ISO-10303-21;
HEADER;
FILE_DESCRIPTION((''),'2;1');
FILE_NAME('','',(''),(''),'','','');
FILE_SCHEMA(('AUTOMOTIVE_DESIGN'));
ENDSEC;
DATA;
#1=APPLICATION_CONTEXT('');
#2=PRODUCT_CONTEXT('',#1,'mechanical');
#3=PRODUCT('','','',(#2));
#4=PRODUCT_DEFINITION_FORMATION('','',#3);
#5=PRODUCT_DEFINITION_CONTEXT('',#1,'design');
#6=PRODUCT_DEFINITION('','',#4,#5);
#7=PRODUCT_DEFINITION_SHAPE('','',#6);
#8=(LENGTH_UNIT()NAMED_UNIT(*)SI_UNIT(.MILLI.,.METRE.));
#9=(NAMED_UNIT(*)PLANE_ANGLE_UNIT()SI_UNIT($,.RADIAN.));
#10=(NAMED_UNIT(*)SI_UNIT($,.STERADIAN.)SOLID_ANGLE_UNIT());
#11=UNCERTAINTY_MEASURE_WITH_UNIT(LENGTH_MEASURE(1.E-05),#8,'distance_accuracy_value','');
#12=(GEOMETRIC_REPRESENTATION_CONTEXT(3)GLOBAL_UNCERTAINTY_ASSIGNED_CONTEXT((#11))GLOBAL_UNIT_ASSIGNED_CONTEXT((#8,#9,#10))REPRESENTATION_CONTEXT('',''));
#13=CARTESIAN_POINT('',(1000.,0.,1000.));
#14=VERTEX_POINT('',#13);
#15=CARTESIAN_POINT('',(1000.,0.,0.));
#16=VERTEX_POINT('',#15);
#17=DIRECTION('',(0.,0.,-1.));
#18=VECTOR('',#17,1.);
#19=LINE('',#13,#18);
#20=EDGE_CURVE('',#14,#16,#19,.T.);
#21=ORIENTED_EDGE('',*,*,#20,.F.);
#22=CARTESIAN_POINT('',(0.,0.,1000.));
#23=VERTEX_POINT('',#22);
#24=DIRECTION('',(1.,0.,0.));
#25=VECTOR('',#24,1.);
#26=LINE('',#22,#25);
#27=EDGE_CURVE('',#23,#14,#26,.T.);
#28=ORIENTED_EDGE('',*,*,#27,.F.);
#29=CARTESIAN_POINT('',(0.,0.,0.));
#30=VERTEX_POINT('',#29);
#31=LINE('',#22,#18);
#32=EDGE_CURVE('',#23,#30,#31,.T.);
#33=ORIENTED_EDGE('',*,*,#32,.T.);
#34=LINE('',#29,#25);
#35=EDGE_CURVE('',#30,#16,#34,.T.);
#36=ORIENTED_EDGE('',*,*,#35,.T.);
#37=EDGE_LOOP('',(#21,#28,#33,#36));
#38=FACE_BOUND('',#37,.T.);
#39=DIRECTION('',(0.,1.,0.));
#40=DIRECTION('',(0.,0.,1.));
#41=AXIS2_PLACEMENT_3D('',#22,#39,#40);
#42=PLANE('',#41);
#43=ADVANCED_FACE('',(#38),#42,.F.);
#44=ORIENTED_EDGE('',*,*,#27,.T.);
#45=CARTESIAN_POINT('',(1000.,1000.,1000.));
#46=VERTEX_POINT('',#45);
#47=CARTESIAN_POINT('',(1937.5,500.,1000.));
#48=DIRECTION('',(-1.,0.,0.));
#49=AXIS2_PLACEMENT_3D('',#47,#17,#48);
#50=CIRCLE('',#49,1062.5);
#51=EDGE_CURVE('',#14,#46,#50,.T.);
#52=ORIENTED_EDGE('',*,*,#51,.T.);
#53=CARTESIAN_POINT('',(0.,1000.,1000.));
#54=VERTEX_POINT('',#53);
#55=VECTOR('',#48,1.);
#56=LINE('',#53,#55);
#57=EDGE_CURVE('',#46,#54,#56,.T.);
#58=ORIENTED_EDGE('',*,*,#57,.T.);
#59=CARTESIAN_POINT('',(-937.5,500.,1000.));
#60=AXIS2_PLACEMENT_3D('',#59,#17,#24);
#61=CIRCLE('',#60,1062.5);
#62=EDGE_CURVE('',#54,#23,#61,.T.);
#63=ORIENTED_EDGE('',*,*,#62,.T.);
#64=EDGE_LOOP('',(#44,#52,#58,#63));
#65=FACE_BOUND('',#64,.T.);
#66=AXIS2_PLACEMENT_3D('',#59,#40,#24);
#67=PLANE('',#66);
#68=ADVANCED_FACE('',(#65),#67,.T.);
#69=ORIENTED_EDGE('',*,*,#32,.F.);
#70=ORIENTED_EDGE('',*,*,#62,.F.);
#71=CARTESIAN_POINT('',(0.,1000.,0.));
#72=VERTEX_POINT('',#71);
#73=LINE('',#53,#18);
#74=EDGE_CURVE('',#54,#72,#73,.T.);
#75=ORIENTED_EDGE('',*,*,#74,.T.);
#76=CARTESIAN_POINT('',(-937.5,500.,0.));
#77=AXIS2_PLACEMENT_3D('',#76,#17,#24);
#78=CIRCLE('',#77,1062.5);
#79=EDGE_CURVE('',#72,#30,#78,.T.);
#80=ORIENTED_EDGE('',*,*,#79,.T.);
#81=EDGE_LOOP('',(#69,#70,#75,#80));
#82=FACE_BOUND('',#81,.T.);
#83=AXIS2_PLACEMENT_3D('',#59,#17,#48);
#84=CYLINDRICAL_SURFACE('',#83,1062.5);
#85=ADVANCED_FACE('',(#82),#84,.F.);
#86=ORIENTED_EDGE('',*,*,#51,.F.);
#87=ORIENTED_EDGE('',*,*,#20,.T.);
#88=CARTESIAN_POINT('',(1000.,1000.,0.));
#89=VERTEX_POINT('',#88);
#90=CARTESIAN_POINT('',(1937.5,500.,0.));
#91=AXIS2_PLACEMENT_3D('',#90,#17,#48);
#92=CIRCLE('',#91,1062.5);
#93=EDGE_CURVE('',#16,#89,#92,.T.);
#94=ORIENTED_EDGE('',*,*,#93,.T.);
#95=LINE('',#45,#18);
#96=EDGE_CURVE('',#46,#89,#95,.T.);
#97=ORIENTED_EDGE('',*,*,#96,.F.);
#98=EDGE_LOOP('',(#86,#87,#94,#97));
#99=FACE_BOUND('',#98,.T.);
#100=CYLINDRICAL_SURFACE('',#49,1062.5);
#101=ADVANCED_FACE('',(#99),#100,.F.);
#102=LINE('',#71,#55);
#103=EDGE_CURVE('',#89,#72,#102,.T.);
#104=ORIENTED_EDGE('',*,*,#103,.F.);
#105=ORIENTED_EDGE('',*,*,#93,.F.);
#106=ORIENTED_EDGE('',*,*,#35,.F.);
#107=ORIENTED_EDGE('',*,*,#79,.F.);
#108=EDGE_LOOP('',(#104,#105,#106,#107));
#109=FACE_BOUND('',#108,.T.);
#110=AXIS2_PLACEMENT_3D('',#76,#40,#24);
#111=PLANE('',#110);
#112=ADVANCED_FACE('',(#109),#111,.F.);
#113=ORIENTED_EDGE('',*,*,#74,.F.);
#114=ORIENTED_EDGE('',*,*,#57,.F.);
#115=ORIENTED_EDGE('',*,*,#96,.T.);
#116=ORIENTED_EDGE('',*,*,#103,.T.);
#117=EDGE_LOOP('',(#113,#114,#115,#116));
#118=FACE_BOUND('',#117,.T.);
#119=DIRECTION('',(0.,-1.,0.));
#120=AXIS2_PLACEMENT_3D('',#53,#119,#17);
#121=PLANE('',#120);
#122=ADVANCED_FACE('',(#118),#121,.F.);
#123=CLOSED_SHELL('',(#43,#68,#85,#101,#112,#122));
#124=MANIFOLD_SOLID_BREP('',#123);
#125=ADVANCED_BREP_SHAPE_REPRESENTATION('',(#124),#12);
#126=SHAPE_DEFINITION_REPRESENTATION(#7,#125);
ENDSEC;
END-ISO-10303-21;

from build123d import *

# Parameters (mm, degrees)
BOSS_EXTRUDE1_DEPTH = 1000


with BuildPart() as part:
    # Sketch1 → Boss-Extrude1 (new body)
    with BuildSketch(Plane.XY):
        with BuildLine():
            Line((0, 0), (1000, 0))
            ThreePointArc((1000, 0), (875, 500), (1000, 1000))
            Line((1000, 1000), (0, 1000))
            ThreePointArc((0, 1000), (125, 500), (0, 0))
        make_face()
    extrude(amount=BOSS_EXTRUDE1_DEPTH)


solid = part.part
